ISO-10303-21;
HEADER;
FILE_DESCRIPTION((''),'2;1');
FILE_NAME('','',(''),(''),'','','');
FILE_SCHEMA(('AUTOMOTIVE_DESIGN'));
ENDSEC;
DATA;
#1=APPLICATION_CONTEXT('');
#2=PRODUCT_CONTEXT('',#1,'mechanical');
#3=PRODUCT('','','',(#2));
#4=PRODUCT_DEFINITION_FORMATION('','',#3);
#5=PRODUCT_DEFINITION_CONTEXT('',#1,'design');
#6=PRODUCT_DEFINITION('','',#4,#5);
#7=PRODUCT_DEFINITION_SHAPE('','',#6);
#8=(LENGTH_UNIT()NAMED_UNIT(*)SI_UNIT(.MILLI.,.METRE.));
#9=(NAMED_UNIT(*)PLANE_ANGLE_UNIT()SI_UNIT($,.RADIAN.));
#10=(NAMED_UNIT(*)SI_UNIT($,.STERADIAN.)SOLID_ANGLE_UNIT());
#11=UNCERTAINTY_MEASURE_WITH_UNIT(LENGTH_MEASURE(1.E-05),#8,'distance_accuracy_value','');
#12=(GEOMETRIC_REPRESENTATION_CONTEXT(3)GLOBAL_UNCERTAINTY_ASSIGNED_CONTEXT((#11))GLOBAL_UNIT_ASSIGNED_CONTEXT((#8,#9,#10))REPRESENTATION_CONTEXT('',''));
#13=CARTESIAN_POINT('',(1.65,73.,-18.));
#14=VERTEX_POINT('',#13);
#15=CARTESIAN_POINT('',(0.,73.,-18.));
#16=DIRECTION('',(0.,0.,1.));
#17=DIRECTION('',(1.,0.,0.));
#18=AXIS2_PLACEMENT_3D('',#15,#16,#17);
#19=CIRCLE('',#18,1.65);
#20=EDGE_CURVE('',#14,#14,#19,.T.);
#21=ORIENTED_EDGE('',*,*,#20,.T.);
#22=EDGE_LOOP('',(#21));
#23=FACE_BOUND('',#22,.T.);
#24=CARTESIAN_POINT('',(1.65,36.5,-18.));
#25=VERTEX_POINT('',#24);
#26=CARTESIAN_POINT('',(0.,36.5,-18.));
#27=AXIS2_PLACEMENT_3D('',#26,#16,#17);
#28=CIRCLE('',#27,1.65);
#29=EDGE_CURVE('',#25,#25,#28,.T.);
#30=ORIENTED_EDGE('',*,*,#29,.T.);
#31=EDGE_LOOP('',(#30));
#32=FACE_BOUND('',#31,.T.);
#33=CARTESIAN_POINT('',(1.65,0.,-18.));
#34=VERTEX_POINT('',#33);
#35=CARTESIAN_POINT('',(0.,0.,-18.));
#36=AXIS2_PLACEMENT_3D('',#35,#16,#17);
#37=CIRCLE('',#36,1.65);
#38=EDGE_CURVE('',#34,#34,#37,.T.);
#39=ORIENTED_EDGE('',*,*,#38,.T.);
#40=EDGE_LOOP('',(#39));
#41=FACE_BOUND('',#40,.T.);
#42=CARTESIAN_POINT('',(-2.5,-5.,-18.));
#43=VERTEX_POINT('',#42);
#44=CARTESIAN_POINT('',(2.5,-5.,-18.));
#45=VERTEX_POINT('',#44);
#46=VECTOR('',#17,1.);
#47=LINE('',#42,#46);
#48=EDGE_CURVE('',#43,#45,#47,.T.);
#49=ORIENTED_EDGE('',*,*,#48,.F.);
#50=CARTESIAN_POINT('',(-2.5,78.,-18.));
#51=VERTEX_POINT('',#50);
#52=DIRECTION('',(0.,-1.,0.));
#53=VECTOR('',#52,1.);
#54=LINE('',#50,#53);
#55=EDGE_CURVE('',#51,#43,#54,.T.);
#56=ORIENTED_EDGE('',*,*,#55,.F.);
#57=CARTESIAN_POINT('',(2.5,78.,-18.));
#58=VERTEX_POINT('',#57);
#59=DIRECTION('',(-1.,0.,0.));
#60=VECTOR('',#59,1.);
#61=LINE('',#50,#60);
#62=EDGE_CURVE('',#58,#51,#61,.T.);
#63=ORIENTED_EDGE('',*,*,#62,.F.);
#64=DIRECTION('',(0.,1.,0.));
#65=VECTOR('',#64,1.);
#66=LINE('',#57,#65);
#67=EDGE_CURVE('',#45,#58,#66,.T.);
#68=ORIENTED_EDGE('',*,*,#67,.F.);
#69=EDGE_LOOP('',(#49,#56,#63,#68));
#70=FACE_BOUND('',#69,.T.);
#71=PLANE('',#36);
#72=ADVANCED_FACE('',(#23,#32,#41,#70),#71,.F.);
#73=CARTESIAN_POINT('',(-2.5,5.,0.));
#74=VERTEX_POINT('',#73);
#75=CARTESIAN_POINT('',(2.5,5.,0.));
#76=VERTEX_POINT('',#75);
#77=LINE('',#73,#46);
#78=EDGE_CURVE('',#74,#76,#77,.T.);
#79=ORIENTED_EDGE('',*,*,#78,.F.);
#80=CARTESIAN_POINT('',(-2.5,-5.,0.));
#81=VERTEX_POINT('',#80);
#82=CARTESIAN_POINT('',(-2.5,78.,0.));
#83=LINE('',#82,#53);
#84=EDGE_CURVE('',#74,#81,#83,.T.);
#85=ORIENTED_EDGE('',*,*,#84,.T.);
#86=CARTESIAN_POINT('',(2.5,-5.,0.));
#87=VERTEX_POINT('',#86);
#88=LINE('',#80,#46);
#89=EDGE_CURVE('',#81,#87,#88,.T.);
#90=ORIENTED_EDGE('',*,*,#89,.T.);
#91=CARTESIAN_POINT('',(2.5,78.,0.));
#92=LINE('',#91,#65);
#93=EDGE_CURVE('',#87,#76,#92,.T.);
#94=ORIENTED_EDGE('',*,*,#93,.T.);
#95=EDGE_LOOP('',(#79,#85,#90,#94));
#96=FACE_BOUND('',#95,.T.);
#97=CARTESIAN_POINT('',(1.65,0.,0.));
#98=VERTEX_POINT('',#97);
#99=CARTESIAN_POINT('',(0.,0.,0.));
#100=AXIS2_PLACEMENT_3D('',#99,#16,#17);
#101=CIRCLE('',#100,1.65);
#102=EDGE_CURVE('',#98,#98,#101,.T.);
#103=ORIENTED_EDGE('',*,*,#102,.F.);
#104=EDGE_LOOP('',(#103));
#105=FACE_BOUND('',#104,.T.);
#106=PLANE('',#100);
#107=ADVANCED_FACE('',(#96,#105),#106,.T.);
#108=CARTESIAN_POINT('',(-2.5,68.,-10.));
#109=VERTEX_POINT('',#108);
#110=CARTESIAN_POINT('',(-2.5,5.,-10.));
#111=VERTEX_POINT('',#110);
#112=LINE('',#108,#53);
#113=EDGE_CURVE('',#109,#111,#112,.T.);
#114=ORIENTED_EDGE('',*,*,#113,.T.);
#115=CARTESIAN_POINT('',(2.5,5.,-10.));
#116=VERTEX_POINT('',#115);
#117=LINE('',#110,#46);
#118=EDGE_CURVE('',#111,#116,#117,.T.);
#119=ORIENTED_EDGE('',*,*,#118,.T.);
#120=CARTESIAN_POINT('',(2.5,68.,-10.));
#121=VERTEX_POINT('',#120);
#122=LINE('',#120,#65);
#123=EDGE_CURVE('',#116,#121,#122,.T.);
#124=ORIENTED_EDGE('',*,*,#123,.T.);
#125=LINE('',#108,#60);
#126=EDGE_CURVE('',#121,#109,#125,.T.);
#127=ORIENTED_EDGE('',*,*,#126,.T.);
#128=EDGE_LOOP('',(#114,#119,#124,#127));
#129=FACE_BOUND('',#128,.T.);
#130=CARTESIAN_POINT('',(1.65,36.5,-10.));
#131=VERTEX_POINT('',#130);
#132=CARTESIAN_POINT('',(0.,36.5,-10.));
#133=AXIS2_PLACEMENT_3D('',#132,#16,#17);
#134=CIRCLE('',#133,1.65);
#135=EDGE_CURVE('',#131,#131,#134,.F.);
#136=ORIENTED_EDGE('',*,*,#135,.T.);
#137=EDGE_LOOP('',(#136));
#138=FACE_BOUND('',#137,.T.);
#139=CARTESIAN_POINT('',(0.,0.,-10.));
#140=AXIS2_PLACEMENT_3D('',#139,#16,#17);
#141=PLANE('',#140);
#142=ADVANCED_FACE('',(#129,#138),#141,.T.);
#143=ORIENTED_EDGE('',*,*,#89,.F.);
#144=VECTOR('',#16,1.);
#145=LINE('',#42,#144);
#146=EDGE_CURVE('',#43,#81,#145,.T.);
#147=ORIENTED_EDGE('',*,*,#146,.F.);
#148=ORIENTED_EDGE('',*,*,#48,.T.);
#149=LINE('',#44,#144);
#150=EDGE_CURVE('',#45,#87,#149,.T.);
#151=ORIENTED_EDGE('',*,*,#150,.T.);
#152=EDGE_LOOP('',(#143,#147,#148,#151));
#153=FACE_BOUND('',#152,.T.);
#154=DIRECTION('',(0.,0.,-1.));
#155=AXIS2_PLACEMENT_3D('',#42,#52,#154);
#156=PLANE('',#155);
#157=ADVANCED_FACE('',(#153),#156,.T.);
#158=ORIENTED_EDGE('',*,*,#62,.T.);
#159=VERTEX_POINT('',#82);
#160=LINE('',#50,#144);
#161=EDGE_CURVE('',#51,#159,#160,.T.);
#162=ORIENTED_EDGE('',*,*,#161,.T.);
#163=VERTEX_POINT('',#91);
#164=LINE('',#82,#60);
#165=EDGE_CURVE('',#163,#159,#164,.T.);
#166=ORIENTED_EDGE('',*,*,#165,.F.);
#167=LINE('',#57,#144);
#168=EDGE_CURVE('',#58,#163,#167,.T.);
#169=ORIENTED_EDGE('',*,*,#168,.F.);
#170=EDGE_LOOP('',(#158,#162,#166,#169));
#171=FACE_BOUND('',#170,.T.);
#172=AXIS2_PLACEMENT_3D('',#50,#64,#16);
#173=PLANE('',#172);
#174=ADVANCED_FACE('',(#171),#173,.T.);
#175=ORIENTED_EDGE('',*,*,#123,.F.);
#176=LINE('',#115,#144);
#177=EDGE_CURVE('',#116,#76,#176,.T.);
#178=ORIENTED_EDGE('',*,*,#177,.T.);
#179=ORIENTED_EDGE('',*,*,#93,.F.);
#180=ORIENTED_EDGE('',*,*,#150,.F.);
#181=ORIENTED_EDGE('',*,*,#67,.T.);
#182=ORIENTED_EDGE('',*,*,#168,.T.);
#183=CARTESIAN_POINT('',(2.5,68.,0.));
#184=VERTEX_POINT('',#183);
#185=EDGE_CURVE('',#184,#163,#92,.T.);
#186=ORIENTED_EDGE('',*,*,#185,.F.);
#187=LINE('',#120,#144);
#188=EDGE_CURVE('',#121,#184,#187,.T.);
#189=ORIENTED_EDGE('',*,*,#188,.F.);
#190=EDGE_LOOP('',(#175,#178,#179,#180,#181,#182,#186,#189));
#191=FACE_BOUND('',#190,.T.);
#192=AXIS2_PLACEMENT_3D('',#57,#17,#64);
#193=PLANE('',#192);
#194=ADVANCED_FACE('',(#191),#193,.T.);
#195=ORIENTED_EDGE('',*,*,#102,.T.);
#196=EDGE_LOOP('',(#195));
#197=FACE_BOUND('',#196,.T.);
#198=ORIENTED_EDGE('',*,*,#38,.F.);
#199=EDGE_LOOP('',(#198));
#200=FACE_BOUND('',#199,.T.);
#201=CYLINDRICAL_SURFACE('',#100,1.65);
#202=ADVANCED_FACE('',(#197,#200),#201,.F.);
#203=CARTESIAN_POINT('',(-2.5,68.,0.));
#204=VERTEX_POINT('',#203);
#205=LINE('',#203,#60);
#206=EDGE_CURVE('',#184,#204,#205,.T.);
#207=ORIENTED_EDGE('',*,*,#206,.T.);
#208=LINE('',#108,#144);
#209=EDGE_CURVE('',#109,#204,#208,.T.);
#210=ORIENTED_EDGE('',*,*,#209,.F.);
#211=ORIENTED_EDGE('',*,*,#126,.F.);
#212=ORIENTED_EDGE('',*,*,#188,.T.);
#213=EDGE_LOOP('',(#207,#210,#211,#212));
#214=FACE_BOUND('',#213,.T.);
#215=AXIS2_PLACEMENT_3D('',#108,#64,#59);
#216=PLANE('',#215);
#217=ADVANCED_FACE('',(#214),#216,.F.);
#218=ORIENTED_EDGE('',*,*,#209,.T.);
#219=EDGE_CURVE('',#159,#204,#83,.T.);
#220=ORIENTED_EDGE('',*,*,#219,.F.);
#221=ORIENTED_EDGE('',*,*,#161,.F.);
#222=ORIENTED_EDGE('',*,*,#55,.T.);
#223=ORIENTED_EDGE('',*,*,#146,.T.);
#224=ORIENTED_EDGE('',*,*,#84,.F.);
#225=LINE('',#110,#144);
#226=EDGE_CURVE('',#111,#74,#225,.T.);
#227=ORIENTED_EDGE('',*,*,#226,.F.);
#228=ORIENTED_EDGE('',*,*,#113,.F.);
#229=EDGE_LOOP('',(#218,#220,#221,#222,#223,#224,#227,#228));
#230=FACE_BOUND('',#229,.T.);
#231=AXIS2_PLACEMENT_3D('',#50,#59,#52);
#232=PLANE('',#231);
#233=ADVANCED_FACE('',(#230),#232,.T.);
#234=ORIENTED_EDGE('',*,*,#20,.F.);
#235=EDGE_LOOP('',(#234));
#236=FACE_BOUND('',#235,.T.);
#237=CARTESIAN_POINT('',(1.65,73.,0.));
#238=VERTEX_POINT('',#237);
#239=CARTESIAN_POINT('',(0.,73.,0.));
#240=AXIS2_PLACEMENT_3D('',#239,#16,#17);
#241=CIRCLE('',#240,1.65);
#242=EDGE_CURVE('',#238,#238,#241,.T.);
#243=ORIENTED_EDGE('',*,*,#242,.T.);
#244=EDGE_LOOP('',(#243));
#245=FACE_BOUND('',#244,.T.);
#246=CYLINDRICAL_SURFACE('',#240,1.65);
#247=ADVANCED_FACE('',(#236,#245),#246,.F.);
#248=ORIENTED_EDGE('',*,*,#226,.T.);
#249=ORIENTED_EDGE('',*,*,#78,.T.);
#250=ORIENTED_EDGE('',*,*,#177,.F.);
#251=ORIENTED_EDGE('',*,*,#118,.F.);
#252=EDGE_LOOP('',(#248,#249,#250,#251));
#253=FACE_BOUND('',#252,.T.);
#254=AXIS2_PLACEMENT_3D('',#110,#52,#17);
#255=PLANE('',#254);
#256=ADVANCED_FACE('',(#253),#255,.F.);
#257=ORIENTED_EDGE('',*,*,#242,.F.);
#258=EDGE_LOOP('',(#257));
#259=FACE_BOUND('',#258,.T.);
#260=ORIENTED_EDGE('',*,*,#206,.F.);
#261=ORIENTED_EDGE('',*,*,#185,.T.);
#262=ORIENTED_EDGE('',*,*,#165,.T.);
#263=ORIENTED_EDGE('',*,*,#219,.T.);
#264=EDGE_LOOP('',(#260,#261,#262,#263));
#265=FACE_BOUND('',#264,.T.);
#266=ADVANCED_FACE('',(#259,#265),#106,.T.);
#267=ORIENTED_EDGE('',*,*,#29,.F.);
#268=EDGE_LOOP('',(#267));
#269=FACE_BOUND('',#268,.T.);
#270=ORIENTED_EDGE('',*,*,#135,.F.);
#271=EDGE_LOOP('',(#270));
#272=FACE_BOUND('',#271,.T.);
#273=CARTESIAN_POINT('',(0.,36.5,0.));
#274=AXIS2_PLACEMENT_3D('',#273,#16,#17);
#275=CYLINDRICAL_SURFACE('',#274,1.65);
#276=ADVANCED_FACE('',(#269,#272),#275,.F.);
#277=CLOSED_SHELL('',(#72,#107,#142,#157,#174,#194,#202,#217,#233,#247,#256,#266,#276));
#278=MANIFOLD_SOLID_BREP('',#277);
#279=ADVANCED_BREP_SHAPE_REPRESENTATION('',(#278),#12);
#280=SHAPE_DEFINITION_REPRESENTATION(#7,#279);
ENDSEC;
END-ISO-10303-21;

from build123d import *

# Parameters (mm, degrees)
ESQUISSE1_W             = 5
ESQUISSE1_H             = 83
BOSS_EXTRU_1_DEPTH      = 18
TROU_TARAUD_M4_D        = 3.3
ESQUISSE4_W             = 5
ESQUISSE4_H             = 63
ENL_V_MAT_EXTRU_1_DEPTH = 10


with BuildPart() as part:
    # Esquisse1 → Boss.-Extru.1 (new body)
    with BuildSketch(Plane.XY):
        with Locations((0, 36.5)):
            Rectangle(ESQUISSE1_W, ESQUISSE1_H)
    extrude(amount=-BOSS_EXTRU_1_DEPTH)

    # Trou taraudé M4 (through all)
    with Locations(Plane.XY):
        with Locations((0, 0), (0, 36.5), (0, 73)):
            Hole(TROU_TARAUD_M4_D / 2)

    # Esquisse4 → Enlèv. mat.-Extru.1 (cut)
    with BuildSketch(Plane.XY):
        with Locations((0, 36.5)):
            Rectangle(ESQUISSE4_W, ESQUISSE4_H)
    extrude(amount=-ENL_V_MAT_EXTRU_1_DEPTH, mode=Mode.SUBTRACT)


solid = part.part
